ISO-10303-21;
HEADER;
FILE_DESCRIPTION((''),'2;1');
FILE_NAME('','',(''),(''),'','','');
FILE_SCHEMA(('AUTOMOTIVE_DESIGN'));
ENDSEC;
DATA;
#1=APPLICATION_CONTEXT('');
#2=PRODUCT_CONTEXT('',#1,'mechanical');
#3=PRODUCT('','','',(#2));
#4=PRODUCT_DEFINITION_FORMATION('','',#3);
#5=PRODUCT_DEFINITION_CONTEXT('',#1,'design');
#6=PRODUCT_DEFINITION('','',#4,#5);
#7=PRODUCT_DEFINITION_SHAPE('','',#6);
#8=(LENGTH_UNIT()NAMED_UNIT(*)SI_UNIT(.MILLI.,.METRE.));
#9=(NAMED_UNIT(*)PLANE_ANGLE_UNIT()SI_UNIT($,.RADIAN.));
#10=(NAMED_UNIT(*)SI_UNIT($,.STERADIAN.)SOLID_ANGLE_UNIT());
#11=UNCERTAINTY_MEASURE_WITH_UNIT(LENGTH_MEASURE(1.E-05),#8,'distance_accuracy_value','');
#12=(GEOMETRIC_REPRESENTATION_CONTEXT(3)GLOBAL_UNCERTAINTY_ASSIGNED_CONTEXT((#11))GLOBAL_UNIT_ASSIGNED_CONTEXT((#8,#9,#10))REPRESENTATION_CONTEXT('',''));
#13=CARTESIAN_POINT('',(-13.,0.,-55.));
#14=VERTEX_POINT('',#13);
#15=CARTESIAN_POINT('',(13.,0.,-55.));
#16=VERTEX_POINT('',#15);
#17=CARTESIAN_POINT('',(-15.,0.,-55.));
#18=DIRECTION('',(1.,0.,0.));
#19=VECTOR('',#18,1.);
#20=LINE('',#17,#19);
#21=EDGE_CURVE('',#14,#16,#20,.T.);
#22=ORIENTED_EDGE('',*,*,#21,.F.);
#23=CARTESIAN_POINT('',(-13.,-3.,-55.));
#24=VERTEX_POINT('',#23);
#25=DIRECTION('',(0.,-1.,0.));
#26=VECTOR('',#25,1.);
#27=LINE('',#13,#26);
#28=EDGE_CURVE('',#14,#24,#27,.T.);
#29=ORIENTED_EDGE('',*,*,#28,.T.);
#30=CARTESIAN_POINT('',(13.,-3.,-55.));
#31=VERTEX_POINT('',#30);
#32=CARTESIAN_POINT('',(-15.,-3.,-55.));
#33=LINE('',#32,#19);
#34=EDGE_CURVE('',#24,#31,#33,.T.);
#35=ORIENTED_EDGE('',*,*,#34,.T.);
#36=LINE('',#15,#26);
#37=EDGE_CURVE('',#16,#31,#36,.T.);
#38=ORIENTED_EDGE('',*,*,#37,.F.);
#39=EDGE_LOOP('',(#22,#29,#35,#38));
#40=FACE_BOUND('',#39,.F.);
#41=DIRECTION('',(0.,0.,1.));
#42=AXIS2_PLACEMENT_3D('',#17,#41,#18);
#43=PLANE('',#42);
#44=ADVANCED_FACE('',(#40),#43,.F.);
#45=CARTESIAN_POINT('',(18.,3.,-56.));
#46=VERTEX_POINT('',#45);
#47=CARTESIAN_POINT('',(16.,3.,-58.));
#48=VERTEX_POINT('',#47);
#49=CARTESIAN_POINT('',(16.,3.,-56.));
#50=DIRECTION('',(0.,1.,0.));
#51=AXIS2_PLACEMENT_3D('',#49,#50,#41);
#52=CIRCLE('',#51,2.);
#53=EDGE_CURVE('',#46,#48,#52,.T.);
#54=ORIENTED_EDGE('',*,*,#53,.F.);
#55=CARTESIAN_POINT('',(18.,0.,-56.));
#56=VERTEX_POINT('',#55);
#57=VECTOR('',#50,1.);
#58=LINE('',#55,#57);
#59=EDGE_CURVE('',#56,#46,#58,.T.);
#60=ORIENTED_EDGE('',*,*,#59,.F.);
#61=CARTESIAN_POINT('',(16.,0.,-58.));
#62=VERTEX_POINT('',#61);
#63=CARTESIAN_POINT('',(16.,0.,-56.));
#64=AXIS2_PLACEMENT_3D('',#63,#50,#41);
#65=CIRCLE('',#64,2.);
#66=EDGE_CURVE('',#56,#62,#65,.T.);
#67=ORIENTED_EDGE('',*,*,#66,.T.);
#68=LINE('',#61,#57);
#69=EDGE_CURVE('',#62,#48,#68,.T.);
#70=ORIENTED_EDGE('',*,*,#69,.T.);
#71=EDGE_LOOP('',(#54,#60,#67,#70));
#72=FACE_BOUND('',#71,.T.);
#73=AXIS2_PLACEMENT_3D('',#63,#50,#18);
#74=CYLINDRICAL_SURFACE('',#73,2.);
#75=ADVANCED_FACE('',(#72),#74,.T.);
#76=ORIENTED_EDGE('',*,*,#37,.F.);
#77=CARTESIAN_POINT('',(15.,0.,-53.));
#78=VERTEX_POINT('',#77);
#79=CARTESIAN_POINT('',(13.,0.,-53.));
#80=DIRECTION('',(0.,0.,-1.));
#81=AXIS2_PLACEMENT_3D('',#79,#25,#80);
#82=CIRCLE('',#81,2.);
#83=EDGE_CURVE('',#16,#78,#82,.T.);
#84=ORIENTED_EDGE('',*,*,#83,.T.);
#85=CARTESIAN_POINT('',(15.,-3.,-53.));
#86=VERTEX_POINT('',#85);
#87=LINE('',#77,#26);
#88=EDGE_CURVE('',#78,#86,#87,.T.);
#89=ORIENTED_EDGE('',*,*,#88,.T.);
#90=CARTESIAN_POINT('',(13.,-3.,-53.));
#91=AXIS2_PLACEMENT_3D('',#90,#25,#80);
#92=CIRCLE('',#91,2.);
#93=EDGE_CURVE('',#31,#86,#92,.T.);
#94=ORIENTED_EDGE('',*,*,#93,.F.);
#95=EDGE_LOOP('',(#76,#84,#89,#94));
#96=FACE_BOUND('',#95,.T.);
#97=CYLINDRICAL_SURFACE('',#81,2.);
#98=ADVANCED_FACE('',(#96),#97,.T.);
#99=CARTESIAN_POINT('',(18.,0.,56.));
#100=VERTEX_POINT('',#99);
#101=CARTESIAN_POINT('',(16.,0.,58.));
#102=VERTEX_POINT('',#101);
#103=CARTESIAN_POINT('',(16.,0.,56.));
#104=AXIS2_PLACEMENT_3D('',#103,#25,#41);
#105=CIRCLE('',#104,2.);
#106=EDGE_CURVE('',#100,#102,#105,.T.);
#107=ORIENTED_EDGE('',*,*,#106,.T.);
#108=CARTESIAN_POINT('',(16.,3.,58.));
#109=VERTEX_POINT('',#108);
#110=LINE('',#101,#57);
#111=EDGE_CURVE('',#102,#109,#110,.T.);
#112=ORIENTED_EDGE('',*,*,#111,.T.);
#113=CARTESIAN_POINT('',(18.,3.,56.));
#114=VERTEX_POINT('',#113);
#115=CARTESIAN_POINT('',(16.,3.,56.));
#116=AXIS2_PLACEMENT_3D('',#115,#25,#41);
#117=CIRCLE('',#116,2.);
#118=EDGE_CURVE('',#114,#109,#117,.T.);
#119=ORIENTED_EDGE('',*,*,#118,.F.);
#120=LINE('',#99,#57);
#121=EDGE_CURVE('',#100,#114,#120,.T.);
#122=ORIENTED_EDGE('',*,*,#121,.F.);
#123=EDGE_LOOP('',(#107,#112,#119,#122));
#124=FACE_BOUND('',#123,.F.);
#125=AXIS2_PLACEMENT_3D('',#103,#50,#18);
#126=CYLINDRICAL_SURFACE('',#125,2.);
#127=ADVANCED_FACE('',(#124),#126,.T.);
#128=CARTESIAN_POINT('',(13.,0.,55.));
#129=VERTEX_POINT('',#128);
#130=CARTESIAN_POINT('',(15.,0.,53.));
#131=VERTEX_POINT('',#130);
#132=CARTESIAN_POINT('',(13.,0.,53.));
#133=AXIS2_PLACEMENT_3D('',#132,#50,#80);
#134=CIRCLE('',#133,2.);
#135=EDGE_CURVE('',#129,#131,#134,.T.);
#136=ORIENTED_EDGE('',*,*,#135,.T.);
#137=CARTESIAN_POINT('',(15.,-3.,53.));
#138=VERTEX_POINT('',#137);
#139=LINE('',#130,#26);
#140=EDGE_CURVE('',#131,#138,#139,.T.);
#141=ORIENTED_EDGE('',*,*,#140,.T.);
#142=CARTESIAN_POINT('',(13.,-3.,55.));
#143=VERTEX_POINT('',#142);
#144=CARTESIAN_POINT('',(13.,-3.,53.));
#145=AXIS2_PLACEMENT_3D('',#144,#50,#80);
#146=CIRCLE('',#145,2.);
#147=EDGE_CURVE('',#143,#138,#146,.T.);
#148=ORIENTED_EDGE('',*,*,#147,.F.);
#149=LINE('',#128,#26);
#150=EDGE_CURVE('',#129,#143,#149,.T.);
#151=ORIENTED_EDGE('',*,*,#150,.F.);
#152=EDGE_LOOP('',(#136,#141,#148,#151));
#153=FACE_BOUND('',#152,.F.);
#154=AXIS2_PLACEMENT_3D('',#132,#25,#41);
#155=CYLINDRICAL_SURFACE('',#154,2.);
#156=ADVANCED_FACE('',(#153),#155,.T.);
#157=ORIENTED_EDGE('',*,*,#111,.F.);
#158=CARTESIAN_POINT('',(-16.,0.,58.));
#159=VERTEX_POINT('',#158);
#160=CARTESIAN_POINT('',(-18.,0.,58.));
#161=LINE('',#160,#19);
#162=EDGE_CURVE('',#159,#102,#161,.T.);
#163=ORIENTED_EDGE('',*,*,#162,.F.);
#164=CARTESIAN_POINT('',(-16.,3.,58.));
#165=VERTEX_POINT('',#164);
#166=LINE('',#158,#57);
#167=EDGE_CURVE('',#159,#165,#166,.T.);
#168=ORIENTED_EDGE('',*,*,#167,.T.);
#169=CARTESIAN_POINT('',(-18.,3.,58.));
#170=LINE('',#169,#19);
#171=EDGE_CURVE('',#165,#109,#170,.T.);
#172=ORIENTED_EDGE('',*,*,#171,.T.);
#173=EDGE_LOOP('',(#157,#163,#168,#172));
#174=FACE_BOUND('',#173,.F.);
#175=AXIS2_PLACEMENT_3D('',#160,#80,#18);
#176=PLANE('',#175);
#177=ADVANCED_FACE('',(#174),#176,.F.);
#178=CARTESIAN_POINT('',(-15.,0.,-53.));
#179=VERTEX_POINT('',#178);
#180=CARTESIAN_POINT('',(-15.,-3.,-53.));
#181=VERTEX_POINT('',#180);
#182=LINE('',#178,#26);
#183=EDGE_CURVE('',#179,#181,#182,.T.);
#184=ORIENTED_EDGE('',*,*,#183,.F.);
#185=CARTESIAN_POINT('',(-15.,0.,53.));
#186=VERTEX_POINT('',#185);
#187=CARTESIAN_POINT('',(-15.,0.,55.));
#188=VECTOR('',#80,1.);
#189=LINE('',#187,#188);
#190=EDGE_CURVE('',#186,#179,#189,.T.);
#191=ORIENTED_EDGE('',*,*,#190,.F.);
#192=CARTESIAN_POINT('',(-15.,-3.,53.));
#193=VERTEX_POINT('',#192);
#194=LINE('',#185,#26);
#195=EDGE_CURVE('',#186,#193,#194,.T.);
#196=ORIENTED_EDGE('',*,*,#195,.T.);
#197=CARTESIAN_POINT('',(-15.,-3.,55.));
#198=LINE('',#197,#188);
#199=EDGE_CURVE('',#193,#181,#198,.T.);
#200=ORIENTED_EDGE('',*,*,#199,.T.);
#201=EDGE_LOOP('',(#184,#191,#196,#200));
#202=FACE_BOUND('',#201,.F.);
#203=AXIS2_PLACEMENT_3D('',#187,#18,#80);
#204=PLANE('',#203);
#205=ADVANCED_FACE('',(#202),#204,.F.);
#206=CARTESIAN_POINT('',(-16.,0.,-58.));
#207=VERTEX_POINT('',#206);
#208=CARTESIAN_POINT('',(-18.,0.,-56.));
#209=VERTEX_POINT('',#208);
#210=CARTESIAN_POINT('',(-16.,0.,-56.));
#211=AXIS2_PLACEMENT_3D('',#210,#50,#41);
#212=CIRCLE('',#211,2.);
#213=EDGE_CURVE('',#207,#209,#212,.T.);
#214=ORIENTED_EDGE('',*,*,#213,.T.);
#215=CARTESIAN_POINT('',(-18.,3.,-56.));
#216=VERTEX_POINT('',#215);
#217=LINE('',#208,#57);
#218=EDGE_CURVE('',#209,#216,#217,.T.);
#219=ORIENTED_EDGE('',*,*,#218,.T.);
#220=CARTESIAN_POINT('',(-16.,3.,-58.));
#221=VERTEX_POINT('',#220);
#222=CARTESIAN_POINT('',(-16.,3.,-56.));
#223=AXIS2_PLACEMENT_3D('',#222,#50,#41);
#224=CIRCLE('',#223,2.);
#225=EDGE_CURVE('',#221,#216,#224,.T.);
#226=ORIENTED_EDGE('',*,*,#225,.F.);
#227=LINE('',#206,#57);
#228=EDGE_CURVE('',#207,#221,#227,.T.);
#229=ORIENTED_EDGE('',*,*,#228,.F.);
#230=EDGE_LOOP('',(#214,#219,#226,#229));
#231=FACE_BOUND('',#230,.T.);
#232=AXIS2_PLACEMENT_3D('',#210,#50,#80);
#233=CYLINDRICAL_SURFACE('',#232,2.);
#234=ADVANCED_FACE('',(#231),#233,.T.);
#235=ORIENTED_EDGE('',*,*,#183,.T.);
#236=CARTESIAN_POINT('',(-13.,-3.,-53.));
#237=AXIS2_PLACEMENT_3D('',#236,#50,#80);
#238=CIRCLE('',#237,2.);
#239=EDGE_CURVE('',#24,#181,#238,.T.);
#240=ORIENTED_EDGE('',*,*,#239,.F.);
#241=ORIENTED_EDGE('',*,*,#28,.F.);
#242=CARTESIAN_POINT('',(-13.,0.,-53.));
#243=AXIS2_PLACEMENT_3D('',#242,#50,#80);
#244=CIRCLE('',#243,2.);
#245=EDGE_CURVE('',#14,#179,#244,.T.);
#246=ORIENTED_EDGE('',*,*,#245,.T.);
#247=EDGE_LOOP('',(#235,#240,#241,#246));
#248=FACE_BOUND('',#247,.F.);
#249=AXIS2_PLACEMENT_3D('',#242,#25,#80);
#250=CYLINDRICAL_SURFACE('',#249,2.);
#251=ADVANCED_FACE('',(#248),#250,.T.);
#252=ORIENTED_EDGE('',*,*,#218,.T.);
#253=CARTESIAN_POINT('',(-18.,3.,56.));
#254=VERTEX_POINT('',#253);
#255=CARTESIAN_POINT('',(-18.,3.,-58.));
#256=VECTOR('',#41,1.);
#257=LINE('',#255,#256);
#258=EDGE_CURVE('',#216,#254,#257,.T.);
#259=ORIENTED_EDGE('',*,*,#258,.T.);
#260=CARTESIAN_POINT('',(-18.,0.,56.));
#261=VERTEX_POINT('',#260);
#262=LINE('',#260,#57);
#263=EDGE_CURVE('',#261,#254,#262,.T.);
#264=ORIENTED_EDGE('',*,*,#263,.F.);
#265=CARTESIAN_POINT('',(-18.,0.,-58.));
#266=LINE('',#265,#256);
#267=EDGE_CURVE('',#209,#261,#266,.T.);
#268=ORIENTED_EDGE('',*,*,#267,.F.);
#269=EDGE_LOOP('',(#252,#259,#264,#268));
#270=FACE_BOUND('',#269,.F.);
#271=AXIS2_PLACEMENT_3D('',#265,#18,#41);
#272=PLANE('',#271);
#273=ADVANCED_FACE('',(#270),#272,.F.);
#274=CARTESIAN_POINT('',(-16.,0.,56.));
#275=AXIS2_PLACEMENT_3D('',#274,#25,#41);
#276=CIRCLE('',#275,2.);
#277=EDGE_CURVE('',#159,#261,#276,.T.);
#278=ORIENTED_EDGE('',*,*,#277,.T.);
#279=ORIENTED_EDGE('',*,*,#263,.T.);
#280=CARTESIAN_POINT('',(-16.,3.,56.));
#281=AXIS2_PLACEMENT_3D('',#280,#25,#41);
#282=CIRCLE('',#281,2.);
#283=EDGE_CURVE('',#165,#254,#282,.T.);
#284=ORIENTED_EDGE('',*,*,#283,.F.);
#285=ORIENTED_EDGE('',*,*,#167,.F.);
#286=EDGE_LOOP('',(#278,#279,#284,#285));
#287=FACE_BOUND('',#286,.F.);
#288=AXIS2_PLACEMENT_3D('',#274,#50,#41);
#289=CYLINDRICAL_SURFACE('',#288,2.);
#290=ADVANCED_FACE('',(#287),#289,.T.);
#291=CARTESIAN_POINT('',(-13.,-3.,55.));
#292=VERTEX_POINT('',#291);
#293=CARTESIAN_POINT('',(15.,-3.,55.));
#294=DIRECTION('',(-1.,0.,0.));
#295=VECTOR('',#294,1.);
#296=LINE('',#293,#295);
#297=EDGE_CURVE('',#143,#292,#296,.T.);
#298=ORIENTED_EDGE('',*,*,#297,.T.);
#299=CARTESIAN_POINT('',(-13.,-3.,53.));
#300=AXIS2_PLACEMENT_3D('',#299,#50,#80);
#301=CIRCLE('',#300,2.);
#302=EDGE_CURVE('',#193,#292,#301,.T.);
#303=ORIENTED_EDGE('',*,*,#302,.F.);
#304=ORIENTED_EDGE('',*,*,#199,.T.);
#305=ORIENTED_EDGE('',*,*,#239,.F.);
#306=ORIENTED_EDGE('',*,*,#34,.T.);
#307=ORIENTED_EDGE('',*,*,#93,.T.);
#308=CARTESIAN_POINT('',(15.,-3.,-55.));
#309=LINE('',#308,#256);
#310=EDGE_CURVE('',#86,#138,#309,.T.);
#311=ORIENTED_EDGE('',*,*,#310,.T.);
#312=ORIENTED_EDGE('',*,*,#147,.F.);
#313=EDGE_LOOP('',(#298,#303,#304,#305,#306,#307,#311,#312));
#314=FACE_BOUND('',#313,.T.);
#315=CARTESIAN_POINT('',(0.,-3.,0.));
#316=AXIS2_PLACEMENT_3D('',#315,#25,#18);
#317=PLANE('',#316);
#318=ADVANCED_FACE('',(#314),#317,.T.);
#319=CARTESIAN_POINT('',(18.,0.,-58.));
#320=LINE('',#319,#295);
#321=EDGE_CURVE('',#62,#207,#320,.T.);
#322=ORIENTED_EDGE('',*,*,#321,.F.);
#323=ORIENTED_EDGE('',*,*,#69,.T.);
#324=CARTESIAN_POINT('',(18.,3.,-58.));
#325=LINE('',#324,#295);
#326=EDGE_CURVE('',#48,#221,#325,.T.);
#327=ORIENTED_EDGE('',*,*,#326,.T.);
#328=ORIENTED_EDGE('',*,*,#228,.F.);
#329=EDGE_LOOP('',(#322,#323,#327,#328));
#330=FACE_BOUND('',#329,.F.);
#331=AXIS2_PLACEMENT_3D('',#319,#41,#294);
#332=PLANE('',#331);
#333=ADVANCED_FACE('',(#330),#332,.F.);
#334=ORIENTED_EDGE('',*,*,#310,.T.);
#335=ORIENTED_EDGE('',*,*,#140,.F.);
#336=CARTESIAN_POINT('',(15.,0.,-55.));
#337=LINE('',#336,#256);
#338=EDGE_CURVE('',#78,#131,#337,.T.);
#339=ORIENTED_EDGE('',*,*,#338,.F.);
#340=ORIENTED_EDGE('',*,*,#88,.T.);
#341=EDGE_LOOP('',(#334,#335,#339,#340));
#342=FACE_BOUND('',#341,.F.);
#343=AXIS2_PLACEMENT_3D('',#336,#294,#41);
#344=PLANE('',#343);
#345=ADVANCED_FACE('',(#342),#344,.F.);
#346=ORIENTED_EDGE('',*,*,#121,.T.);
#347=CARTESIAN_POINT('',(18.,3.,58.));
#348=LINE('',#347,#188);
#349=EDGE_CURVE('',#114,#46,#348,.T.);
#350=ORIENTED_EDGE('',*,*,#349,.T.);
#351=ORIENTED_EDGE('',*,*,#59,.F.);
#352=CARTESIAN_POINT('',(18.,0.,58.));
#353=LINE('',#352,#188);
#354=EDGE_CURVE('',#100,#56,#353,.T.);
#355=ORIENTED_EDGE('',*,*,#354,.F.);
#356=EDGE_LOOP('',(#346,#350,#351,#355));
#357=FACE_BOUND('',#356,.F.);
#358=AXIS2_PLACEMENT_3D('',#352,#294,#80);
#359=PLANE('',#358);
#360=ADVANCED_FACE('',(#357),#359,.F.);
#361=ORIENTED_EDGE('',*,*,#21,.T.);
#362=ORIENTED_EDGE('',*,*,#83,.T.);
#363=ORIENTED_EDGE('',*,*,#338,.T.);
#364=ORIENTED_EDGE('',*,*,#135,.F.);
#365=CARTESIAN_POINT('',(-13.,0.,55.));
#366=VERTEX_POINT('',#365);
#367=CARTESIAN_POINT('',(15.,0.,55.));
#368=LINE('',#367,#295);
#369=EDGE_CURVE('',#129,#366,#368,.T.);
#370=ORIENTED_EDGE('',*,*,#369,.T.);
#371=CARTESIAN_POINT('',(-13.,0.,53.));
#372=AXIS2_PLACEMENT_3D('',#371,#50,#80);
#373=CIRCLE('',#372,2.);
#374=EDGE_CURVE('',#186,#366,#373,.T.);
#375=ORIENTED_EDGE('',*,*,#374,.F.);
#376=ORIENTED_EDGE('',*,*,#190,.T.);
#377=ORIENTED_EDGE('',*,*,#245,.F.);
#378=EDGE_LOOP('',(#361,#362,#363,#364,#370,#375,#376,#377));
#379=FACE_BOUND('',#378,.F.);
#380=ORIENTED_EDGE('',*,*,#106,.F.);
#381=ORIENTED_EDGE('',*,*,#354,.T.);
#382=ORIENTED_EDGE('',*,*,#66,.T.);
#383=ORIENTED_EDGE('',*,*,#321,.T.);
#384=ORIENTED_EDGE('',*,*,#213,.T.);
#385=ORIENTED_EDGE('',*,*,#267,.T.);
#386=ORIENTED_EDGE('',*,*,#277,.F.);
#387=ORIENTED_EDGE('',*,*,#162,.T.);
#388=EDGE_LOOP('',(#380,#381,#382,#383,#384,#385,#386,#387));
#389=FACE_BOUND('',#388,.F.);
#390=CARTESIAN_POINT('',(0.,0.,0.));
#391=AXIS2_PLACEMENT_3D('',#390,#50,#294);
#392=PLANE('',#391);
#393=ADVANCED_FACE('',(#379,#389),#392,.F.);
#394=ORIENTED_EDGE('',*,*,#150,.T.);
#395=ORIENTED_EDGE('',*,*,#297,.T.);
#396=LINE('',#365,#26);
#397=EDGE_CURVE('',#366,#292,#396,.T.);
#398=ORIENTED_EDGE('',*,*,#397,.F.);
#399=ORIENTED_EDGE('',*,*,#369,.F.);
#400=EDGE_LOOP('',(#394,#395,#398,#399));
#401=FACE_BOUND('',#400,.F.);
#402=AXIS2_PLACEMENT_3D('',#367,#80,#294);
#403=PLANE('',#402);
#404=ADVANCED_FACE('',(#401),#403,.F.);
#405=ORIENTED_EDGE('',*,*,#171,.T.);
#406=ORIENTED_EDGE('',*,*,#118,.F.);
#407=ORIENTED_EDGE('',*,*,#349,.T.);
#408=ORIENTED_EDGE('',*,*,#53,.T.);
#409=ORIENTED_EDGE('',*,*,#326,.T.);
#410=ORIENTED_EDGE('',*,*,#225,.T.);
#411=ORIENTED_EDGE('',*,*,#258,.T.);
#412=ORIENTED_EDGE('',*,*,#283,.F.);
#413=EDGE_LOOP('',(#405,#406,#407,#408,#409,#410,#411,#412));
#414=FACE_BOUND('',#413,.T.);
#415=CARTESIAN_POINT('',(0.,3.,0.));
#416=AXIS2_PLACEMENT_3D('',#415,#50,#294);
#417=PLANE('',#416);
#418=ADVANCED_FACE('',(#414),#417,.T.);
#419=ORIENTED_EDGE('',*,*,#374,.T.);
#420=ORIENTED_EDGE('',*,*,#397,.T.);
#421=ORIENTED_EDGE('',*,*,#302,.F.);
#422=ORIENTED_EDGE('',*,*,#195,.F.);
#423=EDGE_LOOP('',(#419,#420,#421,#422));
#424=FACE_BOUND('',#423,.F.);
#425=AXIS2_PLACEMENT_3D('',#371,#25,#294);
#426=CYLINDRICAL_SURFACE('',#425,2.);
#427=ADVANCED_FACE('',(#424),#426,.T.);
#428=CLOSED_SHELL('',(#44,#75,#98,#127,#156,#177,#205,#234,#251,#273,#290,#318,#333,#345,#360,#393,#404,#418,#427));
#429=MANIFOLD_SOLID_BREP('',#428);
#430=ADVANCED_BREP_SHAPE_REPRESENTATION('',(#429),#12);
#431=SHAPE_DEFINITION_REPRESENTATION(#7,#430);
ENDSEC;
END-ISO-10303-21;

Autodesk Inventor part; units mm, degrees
ref_plane "YZ Plane" through (0, 0, 0) normal (1, 0, 0) x (0, 1, 0)
ref_plane "XZ Plane" through (0, 0, 0) normal (0, 1, 0) x (-1, 0, 0)
ref_plane "XY Plane" through (0, 0, 0) normal (0, 0, 1) x (1, 0, 0)
sketch "Sketch1" plane through (0, 0, 0) normal (0, 1, 0) x (-1, 0, 0)
  line L0 (-18, -58) -> (18, -58)
  line L1 (18, -58) -> (18, 58)
  line L2 (18, 58) -> (-18, 58)
  line L3 (-18, 58) -> (-18, -58)
  line L4 (-18, -58) -> (18, 58) construction
  line L5 (18, -58) -> (-18, 58) construction
  point P0 (0, 0)
  dimension "d0" = 36
  dimension "d1" = 116
extrude "Extrusion1" add sketch "Sketch1" along normal blind 3
sketch "Sketch2" plane through (0, 0, 0) normal (0, -1, 0) x (1, 0, 0)
  line L0 (15, 55) -> (-15, 55)
  line L1 (-15, 55) -> (-15, -55)
  line L2 (-15, -55) -> (15, -55)
  line L3 (15, -55) -> (15, 55)
  line L4 (15, 55) -> (-15, -55) construction
  line L5 (-15, 55) -> (15, -55) construction
  line L6 (-18, -58) -> (-18, 58) projected
  line L7 (18, -58) -> (-18, -58) projected
  point P0 (0, 0)
  dimension "d4" = 3
  dimension "d5" = 3
extrude "Extrusion2" add sketch "Sketch2" along normal blind 3
fillet "Fillet1" radius 2 8 edges at (18, 1.5, 58) (15, -1.5, 55) (-15, -1.5, 55) (-18, 1.5, 58) (15, -1.5, -55) (18, 1.5, -58) (-18, 1.5, -58) (-15, -1.5, -55)
properties part number "module-lid_switch"
